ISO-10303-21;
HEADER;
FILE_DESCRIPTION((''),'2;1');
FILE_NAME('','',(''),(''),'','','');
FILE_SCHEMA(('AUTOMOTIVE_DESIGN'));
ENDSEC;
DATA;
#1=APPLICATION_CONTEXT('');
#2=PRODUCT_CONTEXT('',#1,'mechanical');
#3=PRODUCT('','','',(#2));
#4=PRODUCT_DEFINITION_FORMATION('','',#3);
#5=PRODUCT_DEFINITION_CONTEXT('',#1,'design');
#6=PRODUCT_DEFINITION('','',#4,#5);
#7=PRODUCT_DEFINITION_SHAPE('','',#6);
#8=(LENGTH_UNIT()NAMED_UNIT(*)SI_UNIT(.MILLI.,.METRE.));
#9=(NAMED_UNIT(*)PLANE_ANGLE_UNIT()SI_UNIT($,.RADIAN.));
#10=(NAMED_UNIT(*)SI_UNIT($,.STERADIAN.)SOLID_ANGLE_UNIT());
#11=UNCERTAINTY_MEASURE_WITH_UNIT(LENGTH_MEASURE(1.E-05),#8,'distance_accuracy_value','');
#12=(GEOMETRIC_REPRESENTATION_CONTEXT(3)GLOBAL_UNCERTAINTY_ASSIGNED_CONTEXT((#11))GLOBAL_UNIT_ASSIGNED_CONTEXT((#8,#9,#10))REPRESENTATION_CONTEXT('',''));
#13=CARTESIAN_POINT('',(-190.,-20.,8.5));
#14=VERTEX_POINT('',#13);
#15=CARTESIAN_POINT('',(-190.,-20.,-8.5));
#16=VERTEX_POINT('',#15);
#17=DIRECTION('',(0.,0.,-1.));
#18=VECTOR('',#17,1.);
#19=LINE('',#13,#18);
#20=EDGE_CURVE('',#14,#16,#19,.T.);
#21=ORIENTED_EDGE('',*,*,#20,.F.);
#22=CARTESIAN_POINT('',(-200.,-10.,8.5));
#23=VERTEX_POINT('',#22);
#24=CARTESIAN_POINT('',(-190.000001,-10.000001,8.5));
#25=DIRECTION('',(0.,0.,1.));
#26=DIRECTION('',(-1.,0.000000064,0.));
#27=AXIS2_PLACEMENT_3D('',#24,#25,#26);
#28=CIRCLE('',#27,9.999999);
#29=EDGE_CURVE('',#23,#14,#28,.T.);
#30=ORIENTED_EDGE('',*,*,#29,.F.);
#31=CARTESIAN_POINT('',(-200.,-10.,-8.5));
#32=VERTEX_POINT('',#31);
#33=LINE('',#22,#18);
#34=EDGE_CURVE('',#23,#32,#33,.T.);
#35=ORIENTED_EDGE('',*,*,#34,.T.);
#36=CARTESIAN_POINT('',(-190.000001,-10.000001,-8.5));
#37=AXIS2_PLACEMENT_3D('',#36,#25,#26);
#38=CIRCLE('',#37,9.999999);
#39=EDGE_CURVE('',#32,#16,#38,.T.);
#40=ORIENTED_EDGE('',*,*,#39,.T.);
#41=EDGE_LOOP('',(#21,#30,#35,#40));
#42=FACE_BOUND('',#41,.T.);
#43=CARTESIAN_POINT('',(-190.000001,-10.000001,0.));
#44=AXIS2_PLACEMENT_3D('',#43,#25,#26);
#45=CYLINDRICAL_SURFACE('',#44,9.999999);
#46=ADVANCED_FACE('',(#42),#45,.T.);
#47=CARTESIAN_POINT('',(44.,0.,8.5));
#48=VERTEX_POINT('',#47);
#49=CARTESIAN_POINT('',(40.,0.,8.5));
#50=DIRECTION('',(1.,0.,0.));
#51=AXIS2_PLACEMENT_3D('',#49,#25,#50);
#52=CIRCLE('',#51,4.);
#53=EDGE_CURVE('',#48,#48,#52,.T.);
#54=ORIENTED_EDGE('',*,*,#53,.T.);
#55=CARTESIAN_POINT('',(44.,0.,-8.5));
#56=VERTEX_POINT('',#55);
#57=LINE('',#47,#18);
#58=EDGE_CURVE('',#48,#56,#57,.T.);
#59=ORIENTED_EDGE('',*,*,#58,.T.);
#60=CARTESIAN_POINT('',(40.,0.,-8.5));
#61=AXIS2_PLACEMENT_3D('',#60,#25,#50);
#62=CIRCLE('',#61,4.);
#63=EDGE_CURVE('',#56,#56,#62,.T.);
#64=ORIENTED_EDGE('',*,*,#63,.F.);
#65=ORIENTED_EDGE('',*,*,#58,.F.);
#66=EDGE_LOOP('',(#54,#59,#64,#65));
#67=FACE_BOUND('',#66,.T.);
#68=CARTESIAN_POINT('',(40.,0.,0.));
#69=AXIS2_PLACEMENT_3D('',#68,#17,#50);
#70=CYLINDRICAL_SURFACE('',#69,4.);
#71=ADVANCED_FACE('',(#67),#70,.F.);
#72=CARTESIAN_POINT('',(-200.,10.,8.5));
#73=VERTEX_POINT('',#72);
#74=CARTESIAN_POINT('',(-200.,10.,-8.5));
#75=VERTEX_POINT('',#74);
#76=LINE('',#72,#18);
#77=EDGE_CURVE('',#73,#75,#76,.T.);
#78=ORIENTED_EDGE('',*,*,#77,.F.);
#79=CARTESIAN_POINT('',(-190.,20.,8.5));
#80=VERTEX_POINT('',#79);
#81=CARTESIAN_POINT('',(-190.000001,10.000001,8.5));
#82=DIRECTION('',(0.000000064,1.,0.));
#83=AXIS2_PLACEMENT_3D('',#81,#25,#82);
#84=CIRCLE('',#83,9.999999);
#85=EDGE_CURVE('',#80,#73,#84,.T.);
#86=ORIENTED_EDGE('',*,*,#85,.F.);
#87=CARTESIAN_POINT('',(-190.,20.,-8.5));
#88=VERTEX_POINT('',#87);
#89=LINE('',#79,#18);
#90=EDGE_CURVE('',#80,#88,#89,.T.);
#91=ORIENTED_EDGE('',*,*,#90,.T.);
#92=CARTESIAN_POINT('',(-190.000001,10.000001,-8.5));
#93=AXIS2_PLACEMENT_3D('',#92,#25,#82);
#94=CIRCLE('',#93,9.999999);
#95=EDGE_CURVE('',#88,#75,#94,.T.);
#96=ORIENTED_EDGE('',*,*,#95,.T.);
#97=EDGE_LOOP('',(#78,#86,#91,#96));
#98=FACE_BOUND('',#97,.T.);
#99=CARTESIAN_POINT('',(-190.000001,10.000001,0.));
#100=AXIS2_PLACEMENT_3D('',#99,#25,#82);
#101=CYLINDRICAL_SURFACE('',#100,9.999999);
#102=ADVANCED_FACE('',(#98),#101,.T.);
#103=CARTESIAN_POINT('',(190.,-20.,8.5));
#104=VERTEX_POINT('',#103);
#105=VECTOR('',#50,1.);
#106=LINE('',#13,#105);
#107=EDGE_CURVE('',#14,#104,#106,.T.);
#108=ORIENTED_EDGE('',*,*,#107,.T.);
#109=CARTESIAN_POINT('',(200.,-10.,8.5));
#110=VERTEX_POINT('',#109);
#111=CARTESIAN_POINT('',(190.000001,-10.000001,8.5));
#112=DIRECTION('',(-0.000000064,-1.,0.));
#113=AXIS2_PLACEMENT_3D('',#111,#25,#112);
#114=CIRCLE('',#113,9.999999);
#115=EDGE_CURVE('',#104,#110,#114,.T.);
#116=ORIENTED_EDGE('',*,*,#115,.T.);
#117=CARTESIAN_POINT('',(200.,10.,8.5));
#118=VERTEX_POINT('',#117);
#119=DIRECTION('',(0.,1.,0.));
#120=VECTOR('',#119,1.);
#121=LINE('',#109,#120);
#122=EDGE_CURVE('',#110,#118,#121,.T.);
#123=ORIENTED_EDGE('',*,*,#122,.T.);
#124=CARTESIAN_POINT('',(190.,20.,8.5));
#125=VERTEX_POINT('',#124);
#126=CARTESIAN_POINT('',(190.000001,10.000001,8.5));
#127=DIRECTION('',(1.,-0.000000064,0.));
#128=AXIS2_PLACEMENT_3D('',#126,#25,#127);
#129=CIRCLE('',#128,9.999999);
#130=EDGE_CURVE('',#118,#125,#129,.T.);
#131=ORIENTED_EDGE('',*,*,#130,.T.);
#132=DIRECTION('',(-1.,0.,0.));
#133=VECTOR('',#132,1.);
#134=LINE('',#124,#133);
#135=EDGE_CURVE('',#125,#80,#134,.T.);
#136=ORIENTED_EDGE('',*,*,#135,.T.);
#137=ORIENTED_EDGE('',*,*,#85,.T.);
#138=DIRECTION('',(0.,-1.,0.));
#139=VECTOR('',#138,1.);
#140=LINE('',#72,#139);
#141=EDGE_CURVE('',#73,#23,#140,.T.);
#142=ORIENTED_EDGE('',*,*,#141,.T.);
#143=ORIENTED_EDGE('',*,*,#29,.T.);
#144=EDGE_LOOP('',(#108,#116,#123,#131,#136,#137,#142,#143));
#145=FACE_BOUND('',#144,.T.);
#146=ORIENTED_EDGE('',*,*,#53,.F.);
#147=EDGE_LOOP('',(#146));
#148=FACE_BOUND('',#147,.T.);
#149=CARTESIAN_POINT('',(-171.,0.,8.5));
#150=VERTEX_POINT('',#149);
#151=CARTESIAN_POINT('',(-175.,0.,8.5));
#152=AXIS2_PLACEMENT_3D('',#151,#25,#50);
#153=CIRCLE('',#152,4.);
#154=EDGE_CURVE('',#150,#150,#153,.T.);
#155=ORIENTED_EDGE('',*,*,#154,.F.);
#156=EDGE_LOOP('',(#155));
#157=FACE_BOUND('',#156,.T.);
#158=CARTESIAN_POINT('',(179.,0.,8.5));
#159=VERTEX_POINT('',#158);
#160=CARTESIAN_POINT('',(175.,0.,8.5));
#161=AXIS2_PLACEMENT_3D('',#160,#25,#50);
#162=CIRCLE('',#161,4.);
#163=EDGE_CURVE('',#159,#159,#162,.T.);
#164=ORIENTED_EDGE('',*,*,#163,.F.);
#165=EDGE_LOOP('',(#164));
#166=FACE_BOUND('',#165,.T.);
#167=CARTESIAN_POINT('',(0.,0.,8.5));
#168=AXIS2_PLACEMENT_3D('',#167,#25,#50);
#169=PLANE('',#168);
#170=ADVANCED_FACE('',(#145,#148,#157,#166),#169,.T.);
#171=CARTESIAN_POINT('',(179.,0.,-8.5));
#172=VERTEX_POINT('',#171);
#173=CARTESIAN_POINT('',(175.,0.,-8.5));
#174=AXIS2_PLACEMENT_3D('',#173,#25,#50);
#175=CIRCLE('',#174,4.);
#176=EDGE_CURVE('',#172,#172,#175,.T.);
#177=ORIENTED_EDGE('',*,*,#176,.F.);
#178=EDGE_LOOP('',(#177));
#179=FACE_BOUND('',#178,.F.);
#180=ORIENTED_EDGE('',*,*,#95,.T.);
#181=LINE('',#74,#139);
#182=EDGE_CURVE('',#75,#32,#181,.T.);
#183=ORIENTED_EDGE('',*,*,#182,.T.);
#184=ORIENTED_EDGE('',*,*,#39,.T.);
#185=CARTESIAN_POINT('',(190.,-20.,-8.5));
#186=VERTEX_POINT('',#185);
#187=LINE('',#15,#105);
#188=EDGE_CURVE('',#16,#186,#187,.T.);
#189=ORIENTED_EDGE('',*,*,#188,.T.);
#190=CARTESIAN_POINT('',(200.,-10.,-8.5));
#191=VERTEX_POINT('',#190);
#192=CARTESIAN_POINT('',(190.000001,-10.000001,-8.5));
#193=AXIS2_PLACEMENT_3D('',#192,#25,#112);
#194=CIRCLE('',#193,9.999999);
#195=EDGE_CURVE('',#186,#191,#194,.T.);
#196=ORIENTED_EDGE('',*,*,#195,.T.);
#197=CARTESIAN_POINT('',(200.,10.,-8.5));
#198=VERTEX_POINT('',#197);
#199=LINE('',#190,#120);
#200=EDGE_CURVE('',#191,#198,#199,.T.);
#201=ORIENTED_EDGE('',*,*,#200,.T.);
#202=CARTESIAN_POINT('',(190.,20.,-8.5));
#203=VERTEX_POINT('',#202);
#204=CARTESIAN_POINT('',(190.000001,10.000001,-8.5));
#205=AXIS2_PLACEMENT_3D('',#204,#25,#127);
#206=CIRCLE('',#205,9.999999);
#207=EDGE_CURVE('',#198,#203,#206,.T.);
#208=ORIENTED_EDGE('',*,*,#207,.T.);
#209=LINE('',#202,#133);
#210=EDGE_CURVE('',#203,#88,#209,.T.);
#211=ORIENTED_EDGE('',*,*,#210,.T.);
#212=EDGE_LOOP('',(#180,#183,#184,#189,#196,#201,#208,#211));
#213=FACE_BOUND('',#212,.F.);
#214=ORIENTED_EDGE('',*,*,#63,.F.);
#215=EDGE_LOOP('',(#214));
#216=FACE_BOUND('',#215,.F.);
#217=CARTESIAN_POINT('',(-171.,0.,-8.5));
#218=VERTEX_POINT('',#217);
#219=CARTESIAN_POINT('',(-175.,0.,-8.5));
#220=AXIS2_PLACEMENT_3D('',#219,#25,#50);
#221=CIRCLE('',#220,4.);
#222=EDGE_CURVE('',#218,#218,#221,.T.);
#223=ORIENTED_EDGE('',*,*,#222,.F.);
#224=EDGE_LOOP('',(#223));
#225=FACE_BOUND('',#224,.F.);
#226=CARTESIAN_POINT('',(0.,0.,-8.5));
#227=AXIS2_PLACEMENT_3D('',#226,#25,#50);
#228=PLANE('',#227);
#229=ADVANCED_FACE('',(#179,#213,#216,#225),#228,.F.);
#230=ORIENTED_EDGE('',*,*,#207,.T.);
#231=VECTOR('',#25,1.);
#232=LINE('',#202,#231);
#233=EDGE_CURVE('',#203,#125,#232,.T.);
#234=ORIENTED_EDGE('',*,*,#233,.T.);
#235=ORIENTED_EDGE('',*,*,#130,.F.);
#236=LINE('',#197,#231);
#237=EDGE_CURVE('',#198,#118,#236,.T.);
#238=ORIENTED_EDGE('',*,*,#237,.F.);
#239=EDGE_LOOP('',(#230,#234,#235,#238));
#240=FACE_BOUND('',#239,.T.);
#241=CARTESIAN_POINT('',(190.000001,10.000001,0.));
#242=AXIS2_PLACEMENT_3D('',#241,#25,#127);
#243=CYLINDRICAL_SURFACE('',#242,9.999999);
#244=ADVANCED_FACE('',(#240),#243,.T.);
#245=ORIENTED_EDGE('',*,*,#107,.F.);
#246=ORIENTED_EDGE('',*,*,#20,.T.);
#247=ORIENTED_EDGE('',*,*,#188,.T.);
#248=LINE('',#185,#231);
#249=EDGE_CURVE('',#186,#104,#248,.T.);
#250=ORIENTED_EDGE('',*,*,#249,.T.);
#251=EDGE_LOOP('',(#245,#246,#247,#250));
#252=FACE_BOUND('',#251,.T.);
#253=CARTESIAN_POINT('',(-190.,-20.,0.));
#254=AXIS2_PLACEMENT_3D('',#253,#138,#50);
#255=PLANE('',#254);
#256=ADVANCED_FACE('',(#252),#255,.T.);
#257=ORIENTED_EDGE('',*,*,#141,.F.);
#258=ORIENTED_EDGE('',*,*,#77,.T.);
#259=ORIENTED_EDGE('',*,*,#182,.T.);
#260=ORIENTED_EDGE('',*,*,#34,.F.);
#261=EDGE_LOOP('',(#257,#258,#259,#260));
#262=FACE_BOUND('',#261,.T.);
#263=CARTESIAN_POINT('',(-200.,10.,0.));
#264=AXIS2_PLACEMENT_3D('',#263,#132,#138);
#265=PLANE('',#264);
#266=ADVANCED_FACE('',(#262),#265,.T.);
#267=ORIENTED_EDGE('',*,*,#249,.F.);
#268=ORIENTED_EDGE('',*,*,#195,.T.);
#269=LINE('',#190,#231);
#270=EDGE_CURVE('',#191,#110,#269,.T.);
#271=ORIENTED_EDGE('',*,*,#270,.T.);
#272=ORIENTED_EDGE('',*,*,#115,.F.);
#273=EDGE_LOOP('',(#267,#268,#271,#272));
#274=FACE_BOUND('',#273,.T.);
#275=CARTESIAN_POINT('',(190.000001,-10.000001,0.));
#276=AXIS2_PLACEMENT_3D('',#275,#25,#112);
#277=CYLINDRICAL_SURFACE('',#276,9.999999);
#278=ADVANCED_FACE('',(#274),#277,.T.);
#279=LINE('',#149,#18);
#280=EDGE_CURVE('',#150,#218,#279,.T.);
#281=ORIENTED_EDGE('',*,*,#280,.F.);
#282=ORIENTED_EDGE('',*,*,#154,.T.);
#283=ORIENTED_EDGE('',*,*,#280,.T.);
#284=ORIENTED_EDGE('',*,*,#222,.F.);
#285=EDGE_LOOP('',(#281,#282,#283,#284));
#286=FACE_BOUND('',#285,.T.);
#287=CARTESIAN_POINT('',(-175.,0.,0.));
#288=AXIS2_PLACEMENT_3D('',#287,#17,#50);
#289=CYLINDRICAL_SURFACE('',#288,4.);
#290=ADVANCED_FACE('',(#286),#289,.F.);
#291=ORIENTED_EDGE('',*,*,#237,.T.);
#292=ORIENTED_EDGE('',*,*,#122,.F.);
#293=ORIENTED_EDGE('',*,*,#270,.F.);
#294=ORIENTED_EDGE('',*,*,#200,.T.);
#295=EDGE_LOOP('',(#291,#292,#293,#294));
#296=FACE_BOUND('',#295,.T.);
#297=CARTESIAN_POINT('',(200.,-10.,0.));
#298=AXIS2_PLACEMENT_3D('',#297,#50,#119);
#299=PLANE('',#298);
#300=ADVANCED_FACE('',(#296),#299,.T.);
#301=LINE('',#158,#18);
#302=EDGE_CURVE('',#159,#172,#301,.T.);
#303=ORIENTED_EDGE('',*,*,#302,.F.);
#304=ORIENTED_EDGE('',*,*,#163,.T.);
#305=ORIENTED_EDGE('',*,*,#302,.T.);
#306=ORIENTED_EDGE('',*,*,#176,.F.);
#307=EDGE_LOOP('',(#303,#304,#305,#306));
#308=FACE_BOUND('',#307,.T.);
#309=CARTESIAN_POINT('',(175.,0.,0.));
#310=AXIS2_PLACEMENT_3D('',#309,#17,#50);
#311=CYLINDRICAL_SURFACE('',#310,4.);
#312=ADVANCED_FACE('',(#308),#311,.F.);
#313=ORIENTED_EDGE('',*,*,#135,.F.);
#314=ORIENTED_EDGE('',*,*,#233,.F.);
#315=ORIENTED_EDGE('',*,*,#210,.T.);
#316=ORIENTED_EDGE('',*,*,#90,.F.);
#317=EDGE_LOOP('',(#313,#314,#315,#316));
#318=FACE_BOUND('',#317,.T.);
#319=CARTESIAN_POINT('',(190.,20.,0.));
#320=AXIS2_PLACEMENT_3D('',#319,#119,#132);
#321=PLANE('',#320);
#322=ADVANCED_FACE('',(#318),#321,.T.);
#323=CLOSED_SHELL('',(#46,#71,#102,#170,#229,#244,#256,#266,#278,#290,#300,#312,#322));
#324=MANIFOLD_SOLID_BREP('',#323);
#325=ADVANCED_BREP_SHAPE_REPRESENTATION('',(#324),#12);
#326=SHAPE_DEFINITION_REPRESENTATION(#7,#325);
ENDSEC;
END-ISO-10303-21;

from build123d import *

# Parameters (mm, degrees)
F0_R     = 4
F1_DEPTH = 8.5


with BuildPart() as f1:
    # F0 (on Top) → F1 (new body, symmetric)
    with BuildSketch(Plane.XY):
        with BuildLine():
            Line((-190, -20), (190, -20))
            ThreePointArc((190, -20), (197.071068, -17.071068), (200, -10))
            Line((200, -10), (200, 10))
            ThreePointArc((200, 10), (197.071068, 17.071068), (190, 20))
            Line((190, 20), (-190, 20))
            ThreePointArc((-190, 20), (-197.071068, 17.071068), (-200, 10))
            Line((-200, 10), (-200, -10))
            ThreePointArc((-200, -10), (-197.071068, -17.071068), (-190, -20))
        make_face()
        with Locations((-175, 0)):
            Circle(F0_R, mode=Mode.SUBTRACT)
        with Locations((40, 0)):
            Circle(F0_R, mode=Mode.SUBTRACT)
        with Locations((175, 0)):
            Circle(F0_R, mode=Mode.SUBTRACT)
    extrude(amount=F1_DEPTH, both=True)


solid = f1.part
